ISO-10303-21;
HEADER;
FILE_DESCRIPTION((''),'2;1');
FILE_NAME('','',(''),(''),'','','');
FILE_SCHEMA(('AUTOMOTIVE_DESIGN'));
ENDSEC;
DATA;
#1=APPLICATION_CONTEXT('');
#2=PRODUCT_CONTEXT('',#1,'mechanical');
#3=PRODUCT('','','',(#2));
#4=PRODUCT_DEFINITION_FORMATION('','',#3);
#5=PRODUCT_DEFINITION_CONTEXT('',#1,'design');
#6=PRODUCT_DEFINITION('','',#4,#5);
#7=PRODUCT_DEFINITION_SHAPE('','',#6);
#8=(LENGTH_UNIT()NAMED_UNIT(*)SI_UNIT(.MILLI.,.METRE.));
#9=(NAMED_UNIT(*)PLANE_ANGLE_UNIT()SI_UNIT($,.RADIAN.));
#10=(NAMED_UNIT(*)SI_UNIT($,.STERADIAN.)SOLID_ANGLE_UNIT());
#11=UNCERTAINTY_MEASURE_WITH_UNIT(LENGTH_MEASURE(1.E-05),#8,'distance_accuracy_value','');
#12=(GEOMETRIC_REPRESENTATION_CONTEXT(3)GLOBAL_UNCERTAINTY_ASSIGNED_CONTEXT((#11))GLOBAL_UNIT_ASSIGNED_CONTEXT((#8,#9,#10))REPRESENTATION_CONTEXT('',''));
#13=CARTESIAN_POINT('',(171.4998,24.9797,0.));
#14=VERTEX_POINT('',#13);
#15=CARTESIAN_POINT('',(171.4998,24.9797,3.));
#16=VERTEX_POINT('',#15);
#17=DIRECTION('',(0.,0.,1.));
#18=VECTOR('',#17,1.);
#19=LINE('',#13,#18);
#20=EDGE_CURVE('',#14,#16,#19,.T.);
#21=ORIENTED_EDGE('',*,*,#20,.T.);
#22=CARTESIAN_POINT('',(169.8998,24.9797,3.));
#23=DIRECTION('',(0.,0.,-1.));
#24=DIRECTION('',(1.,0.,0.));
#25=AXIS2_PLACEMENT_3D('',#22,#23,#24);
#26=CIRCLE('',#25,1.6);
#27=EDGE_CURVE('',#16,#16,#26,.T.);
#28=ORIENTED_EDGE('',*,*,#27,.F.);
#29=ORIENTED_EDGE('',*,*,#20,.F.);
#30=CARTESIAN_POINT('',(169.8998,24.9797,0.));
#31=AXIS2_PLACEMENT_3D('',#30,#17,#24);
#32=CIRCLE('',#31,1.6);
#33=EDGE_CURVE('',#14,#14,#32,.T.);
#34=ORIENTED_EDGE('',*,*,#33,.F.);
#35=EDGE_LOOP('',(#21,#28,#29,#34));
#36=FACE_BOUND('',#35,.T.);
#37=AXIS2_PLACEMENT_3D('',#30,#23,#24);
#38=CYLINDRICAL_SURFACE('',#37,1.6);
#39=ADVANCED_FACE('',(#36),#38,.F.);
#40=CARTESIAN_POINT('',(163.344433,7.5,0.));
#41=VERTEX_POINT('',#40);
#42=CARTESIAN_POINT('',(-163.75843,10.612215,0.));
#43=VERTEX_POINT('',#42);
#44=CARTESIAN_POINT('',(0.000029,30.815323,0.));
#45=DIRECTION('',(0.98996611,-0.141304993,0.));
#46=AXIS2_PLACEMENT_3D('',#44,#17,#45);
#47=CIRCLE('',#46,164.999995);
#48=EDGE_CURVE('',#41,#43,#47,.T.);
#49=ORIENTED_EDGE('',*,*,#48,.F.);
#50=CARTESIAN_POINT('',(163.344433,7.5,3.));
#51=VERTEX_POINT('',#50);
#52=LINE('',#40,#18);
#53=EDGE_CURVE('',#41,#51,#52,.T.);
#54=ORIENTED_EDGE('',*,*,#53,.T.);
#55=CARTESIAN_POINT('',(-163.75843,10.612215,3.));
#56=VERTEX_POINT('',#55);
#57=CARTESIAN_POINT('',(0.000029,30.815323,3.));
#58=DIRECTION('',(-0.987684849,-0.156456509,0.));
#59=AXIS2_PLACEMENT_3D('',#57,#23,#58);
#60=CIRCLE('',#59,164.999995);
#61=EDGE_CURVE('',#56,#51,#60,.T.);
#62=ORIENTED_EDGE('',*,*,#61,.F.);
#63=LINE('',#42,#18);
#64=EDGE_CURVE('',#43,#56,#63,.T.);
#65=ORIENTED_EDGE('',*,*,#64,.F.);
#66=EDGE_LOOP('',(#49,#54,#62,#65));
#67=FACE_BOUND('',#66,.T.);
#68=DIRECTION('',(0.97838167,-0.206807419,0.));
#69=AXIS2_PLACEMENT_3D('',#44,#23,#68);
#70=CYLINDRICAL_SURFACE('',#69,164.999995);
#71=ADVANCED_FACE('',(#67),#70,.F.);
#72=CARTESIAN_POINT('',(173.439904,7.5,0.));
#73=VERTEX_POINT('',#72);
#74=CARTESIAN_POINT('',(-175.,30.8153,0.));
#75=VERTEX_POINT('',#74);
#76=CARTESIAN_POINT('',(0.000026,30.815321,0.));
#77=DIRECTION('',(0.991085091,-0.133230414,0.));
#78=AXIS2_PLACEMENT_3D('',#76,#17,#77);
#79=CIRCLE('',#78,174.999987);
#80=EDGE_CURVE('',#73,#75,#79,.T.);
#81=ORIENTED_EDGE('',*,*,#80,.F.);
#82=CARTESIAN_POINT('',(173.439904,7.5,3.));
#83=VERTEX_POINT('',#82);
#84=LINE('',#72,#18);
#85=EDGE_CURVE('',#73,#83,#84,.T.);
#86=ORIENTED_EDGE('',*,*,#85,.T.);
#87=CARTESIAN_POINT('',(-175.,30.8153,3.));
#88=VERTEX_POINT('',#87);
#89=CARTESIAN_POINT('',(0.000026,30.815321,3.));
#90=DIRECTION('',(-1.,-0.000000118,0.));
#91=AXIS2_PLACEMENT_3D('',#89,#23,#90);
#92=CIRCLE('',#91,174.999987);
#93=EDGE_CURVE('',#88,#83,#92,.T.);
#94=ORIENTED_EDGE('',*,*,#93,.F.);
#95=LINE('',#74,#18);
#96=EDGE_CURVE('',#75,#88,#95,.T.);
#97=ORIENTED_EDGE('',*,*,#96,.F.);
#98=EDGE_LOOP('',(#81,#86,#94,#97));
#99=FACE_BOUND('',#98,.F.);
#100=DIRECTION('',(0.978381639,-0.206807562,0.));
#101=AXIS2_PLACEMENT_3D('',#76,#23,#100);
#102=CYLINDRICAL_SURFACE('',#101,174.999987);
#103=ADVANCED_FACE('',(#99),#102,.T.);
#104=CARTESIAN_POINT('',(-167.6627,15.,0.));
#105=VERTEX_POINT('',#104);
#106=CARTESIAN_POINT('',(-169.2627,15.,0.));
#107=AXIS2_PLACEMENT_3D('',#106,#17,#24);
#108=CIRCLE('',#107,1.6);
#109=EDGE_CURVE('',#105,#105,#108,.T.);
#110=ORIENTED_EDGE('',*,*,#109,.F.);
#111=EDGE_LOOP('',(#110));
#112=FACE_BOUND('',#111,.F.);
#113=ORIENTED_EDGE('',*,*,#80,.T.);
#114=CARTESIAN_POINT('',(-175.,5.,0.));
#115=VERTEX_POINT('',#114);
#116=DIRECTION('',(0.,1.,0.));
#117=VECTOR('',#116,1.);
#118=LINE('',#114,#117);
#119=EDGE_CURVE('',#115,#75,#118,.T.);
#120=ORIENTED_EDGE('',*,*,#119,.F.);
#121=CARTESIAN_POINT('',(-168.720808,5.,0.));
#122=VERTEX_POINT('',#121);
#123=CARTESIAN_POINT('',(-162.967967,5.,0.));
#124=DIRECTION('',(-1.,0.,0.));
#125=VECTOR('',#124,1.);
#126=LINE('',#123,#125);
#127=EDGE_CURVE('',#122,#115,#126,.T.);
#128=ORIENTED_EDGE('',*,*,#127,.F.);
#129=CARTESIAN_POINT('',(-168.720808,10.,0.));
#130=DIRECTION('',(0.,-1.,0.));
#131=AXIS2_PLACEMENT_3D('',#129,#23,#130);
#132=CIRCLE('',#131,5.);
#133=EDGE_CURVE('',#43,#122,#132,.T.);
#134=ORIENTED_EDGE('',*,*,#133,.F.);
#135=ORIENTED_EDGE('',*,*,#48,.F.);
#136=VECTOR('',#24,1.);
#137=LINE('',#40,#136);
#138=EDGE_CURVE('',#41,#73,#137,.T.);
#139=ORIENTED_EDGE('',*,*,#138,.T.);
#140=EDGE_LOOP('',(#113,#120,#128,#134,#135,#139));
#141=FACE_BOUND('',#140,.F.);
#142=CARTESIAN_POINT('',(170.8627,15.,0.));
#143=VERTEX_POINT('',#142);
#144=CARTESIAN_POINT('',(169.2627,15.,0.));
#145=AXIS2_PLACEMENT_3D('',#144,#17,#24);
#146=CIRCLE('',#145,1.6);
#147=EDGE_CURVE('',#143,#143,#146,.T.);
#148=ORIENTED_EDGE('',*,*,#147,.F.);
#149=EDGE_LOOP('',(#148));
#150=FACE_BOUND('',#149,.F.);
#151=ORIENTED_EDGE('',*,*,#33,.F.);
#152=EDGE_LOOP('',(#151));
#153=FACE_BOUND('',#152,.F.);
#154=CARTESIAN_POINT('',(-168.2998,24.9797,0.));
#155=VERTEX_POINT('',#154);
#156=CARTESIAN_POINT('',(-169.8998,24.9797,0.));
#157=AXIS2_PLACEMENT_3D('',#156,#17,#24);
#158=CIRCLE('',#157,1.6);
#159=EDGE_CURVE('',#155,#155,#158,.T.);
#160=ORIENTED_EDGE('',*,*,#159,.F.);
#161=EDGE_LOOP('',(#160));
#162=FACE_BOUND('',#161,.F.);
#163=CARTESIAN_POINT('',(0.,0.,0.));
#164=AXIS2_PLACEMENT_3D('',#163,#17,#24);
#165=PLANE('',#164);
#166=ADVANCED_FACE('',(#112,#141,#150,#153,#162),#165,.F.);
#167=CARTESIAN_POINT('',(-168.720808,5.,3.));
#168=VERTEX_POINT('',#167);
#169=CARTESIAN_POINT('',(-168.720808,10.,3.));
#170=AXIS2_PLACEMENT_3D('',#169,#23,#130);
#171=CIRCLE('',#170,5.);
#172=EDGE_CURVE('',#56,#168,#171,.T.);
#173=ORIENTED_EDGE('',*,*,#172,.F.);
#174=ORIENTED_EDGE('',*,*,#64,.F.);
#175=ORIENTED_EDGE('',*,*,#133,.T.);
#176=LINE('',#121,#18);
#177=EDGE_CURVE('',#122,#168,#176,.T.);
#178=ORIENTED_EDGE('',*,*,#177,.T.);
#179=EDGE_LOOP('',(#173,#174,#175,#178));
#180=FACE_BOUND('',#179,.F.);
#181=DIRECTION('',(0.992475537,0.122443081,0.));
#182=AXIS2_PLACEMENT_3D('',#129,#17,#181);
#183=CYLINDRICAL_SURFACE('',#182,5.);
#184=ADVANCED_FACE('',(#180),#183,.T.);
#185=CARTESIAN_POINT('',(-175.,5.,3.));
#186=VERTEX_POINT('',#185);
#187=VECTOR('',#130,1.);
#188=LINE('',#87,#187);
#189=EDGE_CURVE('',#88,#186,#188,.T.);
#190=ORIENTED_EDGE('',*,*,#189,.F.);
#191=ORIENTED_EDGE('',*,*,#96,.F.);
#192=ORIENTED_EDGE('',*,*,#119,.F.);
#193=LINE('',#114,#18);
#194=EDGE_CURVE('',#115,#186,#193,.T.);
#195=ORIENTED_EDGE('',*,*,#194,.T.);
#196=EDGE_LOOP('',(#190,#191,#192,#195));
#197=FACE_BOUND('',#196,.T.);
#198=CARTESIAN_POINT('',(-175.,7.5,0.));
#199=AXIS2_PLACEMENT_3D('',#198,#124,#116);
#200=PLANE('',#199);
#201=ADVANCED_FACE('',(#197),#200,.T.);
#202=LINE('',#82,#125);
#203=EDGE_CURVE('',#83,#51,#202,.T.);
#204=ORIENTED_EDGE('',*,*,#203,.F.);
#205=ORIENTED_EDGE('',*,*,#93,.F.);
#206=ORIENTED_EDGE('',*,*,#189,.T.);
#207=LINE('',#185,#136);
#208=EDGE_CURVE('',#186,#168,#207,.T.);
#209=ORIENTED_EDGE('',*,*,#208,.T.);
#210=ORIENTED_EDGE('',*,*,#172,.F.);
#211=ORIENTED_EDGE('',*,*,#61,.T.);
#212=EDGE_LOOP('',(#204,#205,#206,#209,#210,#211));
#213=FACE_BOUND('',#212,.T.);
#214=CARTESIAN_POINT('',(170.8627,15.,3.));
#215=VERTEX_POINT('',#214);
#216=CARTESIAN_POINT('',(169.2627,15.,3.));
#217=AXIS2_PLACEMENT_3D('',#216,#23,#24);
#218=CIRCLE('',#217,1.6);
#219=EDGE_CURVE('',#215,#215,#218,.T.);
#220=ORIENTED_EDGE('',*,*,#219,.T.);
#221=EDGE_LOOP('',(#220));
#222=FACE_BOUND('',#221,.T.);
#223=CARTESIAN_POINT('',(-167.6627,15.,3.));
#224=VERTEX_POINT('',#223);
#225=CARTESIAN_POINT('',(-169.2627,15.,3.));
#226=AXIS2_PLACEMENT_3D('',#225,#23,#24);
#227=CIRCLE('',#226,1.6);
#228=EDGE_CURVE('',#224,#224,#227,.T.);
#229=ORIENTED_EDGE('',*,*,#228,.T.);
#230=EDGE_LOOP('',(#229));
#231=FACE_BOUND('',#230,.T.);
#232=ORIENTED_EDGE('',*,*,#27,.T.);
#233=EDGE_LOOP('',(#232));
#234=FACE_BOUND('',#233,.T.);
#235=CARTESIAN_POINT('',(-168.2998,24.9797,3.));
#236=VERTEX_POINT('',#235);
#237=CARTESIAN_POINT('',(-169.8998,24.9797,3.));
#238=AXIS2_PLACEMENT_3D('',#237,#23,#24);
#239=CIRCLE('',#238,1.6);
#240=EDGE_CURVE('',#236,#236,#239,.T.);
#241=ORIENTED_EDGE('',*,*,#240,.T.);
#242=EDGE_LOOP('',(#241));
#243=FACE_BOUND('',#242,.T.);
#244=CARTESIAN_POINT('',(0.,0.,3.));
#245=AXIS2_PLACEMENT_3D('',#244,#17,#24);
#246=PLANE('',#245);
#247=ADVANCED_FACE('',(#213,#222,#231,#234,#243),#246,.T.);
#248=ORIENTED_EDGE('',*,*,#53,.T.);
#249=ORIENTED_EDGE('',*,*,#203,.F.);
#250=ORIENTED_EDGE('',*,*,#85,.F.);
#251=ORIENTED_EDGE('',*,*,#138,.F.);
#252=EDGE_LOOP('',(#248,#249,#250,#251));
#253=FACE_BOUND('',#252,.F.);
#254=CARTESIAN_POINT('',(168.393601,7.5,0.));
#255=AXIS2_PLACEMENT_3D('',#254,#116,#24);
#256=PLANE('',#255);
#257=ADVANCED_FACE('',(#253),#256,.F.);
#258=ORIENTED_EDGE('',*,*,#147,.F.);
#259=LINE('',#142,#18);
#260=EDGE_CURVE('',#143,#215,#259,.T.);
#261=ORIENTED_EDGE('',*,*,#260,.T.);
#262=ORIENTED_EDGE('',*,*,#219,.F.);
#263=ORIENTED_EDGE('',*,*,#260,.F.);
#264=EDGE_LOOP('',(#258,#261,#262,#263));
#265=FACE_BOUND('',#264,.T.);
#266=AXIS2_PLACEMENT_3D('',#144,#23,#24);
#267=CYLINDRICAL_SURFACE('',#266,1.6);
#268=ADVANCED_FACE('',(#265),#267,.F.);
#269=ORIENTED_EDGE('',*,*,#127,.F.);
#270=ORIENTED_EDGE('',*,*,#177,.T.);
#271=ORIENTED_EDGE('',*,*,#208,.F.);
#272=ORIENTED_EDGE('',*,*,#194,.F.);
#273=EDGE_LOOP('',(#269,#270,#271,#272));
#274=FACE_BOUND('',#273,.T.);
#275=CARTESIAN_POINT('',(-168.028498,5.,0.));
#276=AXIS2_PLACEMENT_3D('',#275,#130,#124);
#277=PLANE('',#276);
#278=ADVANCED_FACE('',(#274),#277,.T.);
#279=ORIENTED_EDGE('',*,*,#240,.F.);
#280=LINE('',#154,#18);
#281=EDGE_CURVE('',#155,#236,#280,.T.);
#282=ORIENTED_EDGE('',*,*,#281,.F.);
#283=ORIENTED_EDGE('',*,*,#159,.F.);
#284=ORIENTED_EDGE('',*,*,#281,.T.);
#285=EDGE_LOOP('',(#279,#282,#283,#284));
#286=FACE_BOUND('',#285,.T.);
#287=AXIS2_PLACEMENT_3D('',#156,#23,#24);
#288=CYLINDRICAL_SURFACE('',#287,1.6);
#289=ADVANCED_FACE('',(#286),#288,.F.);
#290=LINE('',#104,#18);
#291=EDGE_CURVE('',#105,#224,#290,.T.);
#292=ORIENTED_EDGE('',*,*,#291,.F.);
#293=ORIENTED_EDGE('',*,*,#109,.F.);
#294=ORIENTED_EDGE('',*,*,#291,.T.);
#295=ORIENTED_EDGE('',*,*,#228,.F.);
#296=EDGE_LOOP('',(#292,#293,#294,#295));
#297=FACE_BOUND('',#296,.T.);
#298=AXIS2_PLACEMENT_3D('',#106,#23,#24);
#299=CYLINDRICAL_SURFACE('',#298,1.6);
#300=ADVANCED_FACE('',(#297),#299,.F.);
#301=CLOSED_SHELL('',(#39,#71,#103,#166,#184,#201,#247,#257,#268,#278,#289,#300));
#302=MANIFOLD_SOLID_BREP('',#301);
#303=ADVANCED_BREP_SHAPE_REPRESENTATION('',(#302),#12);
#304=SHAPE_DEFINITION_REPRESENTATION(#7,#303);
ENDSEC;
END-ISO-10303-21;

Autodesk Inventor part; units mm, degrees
ref_plane "YZ Plane" through (0, 0, 0) normal (1, 0, 0) x (0, 1, 0)
ref_plane "XZ Plane" through (0, 0, 0) normal (0, 1, 0) x (-1, 0, 0)
ref_plane "XY Plane" through (0, 0, 0) normal (0, 0, 1) x (1, 0, 0)
sketch "スケッチ1" plane through (0, 0, 0) normal (0, 0, 1) x (1, 0, 0)
  line L0 (195, -7.5) -> (-195, -7.5)
  line L1 (-195, -7.5) -> (-195, 7.5)
  line L2 (-195, 7.5) -> (195, 7.5)
  line L3 (195, 7.5) -> (195, -7.5)
  line L4 (195, -7.5) -> (-195, 7.5) construction
  line L5 (-195, -7.5) -> (195, 7.5) construction
  circle A0 centre (0, 70.8153) radius 120
  line L6 (0, -7.5) -> (0, 7.5)
  circle A1 centre (-127.5, -22.5) radius 38
  line L7 (-175, -5) -> (-135, -5)
  line L8 (-135, -5) -> (-135, 5)
  line L9 (-135, 5) -> (-175, 5)
  line L10 (-175, 5) -> (-175, -5)
  line L11 (-195, 0) -> (195, 0)
  circle A2 centre (-165, 0) radius 1.6
  circle A3 centre (-155, 0) radius 1.6
  circle A4 centre (-145, 0) radius 1.6
  line L12 (0, 190.8153) -> (0, -49.1847)
  arc A5 (156.5411, -2.2739) -> (-157.0045, 0) centre (0, 30.8153) ccw
  arc A6 (161.433, -3.3079) -> (-162.0969, 0) centre (0, 30.8153) ccw
  arc A7 (166.3249, -4.342) -> (-167.1838, 0) centre (0, 30.8153) ccw
  arc A8 (171.2168, -5.376) -> (-172.2655, 0) centre (0, 30.8153) ccw
  circle A9 centre (-169.2627, 15) radius 1.6
  circle A10 centre (-169.8998, 24.9797) radius 1.6
  line L13 (-164.9474, 34.9797) -> (-174.9504, 34.9797)
  line L14 (-175, -5) -> (-175, 30.8153)
  circle A11 centre (169.2627, 15) radius 1.6
  circle A12 centre (169.8998, 24.9797) radius 1.6
  point P0 (0, 0)
  point P1 (-145, 0)
  point P2 (-175, 0)
  point P3 (-173.0854, 5)
  point P4 (-162.968, 5)
  point P5 (163.3444, 7.5)
  point P6 (173.4399, 7.5)
  dimension "d0" = 390
  dimension "d1" = 15
  dimension "d2" = 240
  dimension "d3" = 76
  dimension "d4" = 30
  dimension "d5" = 67.5
  dimension "d9" = 10
  dimension "d10" = 10
  dimension "d11" = 30
  dimension "d13" = 10
  dimension "d14" = 10
  dimension "d16" = 3.2
  dimension "d17" = 3.2
  dimension "d19" = 3.2
  dimension "d28" = 40
  dimension "d29" = 5
  dimension "d30" = 5
  dimension "d31" = 5
  dimension "d32" = 3.2
  dimension "d33" = 3.2
  dimension "d34" = 15
  dimension "d35" = 10
  dimension "d36" = 10
extrude "押し出し1" add sketch "スケッチ1" along normal blind 3 contours L2 A7 A11 A12 L13 A8 | L2 A6 L13 A7 A12 A11 | L13 A7 A10 A9 L2 A8 | A8 L2 L14 | L13 A6 L2 A7 A9 A10 | A8 L9 L14 L2 | L2 A7 L9 A8 | A6 L9 A7 L2
fillet "フィレット1" radius 5 1 edges at (-162.968, 5, 1.5)
properties part number "light_ball_space_out"
